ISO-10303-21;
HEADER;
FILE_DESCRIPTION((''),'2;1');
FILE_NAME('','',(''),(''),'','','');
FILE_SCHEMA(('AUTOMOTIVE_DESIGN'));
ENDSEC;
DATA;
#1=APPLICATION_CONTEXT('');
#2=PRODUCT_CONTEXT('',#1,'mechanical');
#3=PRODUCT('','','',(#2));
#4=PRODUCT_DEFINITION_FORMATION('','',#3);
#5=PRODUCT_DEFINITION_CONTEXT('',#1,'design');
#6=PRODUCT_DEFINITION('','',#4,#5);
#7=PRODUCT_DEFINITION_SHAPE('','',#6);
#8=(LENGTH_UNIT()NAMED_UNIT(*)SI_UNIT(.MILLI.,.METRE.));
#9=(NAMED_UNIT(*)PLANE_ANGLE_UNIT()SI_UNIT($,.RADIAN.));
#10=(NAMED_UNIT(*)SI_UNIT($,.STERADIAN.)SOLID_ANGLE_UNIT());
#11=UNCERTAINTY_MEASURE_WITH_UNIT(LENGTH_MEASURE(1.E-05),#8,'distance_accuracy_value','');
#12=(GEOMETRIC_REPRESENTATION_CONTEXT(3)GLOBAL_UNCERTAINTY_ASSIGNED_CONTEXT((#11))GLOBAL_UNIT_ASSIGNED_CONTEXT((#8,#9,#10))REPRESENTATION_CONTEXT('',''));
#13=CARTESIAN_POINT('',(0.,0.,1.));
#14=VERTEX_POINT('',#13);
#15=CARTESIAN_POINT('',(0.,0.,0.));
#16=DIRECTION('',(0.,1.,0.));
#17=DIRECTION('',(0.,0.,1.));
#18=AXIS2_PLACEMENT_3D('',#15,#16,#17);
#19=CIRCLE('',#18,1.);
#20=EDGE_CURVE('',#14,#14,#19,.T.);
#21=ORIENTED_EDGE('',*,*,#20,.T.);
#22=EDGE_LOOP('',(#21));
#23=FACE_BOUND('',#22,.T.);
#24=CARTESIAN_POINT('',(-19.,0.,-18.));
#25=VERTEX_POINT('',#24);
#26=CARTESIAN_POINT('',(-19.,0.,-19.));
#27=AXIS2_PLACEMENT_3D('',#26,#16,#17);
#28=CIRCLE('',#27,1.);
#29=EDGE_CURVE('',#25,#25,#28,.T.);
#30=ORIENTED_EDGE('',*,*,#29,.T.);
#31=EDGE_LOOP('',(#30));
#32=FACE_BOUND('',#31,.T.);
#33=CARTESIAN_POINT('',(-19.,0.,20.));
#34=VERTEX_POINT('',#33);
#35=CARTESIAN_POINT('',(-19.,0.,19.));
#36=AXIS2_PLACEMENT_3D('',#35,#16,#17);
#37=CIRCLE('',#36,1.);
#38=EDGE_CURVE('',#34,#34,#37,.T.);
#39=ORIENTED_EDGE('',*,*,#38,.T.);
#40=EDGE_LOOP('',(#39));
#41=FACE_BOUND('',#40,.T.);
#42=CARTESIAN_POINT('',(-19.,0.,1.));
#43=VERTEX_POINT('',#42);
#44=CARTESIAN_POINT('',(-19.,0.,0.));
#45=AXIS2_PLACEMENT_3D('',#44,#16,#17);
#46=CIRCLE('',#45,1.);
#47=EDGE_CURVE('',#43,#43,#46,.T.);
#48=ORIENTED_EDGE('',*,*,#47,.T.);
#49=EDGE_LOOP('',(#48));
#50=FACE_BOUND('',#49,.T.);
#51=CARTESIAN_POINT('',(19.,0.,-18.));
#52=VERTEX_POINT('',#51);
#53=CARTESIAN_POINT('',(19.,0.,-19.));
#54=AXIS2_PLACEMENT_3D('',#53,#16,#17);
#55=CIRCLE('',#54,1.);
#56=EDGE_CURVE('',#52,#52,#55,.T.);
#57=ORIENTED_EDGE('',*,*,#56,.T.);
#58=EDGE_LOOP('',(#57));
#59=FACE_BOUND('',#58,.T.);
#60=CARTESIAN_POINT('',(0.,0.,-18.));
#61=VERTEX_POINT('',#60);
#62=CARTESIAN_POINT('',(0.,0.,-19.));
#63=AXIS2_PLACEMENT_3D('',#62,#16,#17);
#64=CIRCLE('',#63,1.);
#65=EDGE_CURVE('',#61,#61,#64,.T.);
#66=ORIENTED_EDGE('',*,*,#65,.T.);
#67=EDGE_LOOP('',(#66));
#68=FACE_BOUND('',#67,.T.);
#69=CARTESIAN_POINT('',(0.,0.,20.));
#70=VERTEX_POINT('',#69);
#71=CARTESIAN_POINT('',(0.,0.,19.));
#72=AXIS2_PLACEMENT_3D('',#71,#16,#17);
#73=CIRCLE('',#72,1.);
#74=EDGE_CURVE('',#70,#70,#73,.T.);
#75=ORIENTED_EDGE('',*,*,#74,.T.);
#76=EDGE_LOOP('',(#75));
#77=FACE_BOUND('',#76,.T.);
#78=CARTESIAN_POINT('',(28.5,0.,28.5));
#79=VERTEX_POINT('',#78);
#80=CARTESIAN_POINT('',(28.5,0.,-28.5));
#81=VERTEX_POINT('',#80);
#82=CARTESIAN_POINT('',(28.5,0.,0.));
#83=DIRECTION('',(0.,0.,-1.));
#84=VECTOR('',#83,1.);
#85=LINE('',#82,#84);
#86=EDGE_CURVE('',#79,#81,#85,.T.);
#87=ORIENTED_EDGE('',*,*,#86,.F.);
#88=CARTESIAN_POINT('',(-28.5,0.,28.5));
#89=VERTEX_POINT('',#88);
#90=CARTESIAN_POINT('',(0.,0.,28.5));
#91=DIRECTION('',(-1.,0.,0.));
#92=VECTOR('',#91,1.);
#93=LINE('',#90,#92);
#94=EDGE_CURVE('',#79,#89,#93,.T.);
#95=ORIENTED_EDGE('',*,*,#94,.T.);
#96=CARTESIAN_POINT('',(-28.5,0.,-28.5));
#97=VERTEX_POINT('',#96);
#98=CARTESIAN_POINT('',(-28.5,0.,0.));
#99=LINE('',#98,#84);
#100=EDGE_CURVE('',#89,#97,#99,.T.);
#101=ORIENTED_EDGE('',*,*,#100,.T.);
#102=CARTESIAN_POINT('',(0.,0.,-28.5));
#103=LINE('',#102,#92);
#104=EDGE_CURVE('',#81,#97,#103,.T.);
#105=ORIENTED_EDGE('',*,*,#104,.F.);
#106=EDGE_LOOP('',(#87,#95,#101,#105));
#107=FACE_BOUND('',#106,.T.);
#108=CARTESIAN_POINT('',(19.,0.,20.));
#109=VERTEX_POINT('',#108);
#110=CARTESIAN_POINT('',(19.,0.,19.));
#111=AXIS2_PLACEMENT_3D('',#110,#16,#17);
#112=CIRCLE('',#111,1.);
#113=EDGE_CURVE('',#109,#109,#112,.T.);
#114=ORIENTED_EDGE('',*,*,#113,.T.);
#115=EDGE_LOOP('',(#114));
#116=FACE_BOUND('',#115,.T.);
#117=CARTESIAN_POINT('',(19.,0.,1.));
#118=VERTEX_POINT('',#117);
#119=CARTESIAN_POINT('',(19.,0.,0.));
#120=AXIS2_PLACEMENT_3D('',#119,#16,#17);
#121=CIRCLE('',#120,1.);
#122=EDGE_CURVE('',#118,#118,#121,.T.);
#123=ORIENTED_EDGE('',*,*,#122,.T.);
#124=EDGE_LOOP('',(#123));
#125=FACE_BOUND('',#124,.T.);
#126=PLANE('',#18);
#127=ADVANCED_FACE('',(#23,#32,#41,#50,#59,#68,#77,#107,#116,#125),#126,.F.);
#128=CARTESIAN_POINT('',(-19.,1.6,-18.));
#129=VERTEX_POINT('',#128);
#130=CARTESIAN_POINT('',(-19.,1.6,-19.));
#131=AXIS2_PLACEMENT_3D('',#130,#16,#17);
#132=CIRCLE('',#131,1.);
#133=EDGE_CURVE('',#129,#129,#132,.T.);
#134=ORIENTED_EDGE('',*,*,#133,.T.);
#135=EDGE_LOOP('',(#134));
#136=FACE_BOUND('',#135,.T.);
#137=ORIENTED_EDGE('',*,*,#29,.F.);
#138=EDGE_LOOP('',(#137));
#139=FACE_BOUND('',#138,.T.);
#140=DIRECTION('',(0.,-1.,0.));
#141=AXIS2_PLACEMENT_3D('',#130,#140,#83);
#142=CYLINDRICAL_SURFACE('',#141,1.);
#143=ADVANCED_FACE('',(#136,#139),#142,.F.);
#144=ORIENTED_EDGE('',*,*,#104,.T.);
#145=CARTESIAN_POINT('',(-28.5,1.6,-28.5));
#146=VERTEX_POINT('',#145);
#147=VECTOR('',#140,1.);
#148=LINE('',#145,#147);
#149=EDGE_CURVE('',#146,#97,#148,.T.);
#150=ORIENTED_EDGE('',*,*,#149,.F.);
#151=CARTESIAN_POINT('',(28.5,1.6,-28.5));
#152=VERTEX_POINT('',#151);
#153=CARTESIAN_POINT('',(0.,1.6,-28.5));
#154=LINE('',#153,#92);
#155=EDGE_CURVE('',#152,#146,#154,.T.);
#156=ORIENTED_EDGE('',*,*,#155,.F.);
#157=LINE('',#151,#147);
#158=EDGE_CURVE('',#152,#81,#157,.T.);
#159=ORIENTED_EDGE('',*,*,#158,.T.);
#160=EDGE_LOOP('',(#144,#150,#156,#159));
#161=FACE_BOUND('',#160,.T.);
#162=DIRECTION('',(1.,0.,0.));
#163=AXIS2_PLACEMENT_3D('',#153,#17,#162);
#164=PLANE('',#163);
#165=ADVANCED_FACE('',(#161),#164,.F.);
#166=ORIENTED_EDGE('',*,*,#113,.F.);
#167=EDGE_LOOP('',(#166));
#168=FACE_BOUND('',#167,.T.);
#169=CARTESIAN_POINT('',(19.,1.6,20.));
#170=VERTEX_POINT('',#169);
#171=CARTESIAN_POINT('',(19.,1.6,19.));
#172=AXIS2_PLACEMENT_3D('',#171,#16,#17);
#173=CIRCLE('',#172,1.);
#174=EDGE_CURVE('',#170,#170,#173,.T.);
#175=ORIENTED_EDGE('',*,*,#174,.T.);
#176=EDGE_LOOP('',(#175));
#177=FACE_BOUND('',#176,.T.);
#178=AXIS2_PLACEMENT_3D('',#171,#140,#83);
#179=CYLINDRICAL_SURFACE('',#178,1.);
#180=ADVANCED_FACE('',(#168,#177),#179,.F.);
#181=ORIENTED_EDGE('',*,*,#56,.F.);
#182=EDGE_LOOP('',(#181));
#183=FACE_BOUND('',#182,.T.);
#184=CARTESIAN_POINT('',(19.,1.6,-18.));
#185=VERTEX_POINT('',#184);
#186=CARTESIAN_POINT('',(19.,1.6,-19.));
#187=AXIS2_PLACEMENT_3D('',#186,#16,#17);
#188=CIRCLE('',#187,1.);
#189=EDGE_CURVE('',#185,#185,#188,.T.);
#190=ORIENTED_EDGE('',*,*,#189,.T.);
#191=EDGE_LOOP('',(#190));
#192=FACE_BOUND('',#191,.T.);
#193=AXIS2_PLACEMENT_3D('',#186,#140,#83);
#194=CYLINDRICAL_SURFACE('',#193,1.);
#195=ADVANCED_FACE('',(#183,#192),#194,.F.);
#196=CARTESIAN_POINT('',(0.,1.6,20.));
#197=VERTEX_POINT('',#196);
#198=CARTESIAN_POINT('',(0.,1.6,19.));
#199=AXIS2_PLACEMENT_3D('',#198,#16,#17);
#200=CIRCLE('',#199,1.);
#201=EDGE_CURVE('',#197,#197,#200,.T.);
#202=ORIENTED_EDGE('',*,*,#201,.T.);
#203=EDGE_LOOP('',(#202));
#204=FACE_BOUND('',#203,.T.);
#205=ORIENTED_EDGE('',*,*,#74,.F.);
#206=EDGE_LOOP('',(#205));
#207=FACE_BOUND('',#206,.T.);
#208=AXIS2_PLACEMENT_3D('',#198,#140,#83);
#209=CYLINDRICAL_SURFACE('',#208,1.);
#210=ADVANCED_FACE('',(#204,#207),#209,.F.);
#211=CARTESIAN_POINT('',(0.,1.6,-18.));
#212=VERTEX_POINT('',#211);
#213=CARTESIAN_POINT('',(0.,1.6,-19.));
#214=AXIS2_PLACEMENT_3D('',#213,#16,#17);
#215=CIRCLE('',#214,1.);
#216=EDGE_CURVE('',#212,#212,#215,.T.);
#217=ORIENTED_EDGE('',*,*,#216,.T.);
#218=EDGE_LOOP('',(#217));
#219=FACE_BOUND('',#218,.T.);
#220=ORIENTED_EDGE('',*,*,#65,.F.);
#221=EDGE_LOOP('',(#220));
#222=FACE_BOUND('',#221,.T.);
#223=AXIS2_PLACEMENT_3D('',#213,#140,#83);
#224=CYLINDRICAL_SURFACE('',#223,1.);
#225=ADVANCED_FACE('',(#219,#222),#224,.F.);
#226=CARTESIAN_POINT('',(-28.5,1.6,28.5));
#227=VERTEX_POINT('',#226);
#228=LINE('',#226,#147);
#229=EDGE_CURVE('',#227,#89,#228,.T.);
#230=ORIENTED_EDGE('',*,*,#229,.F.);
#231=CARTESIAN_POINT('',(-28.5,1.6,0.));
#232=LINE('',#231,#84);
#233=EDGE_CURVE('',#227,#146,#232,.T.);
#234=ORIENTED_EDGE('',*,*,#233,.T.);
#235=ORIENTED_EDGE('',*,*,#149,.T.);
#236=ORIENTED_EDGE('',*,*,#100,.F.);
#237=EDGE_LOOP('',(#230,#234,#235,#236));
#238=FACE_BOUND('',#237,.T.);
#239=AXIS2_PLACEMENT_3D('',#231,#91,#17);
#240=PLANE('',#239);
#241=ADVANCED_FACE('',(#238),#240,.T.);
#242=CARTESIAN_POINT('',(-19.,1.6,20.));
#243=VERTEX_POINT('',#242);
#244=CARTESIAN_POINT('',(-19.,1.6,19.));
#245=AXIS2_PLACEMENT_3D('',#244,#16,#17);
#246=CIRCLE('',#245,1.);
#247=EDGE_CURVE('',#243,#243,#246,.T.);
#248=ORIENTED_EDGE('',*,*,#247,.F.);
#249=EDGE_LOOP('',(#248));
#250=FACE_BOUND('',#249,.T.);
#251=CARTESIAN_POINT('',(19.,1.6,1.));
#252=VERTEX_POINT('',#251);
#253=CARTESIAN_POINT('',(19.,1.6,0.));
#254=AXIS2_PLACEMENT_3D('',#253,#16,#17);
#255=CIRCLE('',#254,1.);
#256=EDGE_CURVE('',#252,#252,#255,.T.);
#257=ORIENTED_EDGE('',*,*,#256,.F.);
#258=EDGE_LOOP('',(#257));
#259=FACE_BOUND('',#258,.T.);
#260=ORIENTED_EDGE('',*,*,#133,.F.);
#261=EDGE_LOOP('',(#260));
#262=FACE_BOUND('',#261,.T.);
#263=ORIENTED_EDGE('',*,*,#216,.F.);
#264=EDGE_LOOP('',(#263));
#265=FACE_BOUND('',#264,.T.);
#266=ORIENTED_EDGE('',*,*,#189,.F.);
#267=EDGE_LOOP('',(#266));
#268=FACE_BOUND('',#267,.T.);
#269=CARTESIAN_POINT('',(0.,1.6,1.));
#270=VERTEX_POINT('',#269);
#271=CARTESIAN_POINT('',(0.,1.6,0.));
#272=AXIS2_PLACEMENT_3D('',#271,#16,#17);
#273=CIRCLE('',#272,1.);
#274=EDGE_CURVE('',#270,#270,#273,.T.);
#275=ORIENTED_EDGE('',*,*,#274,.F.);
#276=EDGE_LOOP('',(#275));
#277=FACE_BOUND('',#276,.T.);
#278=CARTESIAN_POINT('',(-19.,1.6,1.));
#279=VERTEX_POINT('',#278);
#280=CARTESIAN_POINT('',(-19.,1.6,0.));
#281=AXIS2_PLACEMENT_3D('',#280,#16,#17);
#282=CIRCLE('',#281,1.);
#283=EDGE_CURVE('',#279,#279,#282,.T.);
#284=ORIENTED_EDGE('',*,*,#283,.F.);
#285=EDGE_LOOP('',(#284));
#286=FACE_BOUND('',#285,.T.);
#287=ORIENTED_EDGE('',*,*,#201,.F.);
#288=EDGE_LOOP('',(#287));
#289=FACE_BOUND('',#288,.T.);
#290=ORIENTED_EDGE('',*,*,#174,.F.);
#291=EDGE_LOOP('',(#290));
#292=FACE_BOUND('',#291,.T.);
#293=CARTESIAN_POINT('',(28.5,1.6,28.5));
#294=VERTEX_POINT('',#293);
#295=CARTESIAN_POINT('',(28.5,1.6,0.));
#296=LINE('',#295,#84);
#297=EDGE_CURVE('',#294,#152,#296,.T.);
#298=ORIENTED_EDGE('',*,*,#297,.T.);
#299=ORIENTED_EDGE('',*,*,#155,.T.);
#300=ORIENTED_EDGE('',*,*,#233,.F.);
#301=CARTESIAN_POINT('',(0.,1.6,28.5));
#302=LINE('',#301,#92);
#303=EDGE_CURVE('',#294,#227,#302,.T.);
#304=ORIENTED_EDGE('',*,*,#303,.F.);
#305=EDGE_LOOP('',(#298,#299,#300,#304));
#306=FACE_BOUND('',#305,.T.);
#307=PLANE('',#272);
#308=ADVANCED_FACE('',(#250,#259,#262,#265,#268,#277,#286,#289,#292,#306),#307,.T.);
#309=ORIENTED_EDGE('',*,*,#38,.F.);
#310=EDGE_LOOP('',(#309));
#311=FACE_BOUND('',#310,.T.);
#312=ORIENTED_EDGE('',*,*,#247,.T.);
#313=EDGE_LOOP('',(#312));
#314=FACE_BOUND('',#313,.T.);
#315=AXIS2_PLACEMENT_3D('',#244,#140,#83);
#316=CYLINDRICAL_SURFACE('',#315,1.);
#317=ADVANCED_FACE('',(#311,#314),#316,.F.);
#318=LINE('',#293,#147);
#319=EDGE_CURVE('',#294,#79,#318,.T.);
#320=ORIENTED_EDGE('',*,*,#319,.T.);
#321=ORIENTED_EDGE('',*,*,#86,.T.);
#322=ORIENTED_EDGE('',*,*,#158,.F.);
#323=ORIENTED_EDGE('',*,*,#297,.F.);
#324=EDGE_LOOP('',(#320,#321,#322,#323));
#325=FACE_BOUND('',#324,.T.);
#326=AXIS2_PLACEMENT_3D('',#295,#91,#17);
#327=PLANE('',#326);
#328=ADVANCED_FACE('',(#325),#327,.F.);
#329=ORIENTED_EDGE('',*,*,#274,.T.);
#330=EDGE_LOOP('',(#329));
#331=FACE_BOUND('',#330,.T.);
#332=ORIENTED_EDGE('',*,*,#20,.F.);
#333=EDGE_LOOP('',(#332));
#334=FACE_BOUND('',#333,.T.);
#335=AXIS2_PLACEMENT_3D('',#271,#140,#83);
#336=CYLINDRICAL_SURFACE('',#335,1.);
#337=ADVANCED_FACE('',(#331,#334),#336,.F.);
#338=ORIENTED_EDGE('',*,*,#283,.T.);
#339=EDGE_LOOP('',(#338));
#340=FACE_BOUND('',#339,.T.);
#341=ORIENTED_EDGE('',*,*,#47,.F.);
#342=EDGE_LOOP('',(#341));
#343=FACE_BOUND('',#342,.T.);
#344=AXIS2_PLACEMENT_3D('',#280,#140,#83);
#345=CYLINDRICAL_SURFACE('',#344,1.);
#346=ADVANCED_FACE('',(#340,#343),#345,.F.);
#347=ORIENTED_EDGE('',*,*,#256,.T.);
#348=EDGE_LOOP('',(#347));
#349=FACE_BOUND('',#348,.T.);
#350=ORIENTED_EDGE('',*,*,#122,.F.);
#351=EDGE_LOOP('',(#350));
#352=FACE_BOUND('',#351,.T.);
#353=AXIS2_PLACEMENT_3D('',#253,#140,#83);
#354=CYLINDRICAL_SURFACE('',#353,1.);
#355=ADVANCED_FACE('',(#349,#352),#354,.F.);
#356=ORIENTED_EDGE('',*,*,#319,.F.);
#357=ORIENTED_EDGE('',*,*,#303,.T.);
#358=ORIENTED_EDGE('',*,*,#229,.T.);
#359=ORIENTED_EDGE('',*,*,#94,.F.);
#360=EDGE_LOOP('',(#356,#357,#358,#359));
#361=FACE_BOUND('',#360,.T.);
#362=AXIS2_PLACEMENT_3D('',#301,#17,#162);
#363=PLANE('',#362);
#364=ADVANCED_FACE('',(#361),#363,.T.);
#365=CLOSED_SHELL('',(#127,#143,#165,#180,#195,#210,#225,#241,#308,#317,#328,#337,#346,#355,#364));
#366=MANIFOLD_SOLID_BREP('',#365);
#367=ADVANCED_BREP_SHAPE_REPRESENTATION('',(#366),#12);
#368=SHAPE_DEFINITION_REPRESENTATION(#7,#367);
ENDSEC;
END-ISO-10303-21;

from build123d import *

# Parameters (mm, degrees)
SKETCH1_W           = 57
SKETCH1_H           = 57
SKETCH1_R           = 1
BOSS_EXTRUDE1_DEPTH = 1.6


with BuildPart() as part:
    # Sketch1 → Boss-Extrude1 (new body)
    with BuildSketch(Plane(origin=(0, 0, 0), x_dir=(1, 0, 0), z_dir=(0, 1, 0))):
        Rectangle(SKETCH1_W, SKETCH1_H)
        with Locations(Location((0, -19, 0), (0, 0, 270))):
            Circle(SKETCH1_R, mode=Mode.SUBTRACT)
        with Locations(Location((19, -19, 0), (0, 0, 270))):
            Circle(SKETCH1_R, mode=Mode.SUBTRACT)
        with Locations(Location((-19, -19, 0), (0, 0, 270))):
            Circle(SKETCH1_R, mode=Mode.SUBTRACT)
        with Locations(Location((0, 19, 0), (0, 0, 270))):
            Circle(SKETCH1_R, mode=Mode.SUBTRACT)
        with Locations(Location((19, 19, 0), (0, 0, 270))):
            Circle(SKETCH1_R, mode=Mode.SUBTRACT)
        with Locations(Location((-19, 19, 0), (0, 0, 270))):
            Circle(SKETCH1_R, mode=Mode.SUBTRACT)
        with Locations(Location((19, 0, 0), (0, 0, 270))):
            Circle(SKETCH1_R, mode=Mode.SUBTRACT)
        with Locations(Location((-19, 0, 0), (0, 0, 270))):
            Circle(SKETCH1_R, mode=Mode.SUBTRACT)
        with Locations(Location((0, 0, 0), (0, 0, 270))):
            Circle(SKETCH1_R, mode=Mode.SUBTRACT)
    extrude(amount=BOSS_EXTRUDE1_DEPTH)


solid = part.part
